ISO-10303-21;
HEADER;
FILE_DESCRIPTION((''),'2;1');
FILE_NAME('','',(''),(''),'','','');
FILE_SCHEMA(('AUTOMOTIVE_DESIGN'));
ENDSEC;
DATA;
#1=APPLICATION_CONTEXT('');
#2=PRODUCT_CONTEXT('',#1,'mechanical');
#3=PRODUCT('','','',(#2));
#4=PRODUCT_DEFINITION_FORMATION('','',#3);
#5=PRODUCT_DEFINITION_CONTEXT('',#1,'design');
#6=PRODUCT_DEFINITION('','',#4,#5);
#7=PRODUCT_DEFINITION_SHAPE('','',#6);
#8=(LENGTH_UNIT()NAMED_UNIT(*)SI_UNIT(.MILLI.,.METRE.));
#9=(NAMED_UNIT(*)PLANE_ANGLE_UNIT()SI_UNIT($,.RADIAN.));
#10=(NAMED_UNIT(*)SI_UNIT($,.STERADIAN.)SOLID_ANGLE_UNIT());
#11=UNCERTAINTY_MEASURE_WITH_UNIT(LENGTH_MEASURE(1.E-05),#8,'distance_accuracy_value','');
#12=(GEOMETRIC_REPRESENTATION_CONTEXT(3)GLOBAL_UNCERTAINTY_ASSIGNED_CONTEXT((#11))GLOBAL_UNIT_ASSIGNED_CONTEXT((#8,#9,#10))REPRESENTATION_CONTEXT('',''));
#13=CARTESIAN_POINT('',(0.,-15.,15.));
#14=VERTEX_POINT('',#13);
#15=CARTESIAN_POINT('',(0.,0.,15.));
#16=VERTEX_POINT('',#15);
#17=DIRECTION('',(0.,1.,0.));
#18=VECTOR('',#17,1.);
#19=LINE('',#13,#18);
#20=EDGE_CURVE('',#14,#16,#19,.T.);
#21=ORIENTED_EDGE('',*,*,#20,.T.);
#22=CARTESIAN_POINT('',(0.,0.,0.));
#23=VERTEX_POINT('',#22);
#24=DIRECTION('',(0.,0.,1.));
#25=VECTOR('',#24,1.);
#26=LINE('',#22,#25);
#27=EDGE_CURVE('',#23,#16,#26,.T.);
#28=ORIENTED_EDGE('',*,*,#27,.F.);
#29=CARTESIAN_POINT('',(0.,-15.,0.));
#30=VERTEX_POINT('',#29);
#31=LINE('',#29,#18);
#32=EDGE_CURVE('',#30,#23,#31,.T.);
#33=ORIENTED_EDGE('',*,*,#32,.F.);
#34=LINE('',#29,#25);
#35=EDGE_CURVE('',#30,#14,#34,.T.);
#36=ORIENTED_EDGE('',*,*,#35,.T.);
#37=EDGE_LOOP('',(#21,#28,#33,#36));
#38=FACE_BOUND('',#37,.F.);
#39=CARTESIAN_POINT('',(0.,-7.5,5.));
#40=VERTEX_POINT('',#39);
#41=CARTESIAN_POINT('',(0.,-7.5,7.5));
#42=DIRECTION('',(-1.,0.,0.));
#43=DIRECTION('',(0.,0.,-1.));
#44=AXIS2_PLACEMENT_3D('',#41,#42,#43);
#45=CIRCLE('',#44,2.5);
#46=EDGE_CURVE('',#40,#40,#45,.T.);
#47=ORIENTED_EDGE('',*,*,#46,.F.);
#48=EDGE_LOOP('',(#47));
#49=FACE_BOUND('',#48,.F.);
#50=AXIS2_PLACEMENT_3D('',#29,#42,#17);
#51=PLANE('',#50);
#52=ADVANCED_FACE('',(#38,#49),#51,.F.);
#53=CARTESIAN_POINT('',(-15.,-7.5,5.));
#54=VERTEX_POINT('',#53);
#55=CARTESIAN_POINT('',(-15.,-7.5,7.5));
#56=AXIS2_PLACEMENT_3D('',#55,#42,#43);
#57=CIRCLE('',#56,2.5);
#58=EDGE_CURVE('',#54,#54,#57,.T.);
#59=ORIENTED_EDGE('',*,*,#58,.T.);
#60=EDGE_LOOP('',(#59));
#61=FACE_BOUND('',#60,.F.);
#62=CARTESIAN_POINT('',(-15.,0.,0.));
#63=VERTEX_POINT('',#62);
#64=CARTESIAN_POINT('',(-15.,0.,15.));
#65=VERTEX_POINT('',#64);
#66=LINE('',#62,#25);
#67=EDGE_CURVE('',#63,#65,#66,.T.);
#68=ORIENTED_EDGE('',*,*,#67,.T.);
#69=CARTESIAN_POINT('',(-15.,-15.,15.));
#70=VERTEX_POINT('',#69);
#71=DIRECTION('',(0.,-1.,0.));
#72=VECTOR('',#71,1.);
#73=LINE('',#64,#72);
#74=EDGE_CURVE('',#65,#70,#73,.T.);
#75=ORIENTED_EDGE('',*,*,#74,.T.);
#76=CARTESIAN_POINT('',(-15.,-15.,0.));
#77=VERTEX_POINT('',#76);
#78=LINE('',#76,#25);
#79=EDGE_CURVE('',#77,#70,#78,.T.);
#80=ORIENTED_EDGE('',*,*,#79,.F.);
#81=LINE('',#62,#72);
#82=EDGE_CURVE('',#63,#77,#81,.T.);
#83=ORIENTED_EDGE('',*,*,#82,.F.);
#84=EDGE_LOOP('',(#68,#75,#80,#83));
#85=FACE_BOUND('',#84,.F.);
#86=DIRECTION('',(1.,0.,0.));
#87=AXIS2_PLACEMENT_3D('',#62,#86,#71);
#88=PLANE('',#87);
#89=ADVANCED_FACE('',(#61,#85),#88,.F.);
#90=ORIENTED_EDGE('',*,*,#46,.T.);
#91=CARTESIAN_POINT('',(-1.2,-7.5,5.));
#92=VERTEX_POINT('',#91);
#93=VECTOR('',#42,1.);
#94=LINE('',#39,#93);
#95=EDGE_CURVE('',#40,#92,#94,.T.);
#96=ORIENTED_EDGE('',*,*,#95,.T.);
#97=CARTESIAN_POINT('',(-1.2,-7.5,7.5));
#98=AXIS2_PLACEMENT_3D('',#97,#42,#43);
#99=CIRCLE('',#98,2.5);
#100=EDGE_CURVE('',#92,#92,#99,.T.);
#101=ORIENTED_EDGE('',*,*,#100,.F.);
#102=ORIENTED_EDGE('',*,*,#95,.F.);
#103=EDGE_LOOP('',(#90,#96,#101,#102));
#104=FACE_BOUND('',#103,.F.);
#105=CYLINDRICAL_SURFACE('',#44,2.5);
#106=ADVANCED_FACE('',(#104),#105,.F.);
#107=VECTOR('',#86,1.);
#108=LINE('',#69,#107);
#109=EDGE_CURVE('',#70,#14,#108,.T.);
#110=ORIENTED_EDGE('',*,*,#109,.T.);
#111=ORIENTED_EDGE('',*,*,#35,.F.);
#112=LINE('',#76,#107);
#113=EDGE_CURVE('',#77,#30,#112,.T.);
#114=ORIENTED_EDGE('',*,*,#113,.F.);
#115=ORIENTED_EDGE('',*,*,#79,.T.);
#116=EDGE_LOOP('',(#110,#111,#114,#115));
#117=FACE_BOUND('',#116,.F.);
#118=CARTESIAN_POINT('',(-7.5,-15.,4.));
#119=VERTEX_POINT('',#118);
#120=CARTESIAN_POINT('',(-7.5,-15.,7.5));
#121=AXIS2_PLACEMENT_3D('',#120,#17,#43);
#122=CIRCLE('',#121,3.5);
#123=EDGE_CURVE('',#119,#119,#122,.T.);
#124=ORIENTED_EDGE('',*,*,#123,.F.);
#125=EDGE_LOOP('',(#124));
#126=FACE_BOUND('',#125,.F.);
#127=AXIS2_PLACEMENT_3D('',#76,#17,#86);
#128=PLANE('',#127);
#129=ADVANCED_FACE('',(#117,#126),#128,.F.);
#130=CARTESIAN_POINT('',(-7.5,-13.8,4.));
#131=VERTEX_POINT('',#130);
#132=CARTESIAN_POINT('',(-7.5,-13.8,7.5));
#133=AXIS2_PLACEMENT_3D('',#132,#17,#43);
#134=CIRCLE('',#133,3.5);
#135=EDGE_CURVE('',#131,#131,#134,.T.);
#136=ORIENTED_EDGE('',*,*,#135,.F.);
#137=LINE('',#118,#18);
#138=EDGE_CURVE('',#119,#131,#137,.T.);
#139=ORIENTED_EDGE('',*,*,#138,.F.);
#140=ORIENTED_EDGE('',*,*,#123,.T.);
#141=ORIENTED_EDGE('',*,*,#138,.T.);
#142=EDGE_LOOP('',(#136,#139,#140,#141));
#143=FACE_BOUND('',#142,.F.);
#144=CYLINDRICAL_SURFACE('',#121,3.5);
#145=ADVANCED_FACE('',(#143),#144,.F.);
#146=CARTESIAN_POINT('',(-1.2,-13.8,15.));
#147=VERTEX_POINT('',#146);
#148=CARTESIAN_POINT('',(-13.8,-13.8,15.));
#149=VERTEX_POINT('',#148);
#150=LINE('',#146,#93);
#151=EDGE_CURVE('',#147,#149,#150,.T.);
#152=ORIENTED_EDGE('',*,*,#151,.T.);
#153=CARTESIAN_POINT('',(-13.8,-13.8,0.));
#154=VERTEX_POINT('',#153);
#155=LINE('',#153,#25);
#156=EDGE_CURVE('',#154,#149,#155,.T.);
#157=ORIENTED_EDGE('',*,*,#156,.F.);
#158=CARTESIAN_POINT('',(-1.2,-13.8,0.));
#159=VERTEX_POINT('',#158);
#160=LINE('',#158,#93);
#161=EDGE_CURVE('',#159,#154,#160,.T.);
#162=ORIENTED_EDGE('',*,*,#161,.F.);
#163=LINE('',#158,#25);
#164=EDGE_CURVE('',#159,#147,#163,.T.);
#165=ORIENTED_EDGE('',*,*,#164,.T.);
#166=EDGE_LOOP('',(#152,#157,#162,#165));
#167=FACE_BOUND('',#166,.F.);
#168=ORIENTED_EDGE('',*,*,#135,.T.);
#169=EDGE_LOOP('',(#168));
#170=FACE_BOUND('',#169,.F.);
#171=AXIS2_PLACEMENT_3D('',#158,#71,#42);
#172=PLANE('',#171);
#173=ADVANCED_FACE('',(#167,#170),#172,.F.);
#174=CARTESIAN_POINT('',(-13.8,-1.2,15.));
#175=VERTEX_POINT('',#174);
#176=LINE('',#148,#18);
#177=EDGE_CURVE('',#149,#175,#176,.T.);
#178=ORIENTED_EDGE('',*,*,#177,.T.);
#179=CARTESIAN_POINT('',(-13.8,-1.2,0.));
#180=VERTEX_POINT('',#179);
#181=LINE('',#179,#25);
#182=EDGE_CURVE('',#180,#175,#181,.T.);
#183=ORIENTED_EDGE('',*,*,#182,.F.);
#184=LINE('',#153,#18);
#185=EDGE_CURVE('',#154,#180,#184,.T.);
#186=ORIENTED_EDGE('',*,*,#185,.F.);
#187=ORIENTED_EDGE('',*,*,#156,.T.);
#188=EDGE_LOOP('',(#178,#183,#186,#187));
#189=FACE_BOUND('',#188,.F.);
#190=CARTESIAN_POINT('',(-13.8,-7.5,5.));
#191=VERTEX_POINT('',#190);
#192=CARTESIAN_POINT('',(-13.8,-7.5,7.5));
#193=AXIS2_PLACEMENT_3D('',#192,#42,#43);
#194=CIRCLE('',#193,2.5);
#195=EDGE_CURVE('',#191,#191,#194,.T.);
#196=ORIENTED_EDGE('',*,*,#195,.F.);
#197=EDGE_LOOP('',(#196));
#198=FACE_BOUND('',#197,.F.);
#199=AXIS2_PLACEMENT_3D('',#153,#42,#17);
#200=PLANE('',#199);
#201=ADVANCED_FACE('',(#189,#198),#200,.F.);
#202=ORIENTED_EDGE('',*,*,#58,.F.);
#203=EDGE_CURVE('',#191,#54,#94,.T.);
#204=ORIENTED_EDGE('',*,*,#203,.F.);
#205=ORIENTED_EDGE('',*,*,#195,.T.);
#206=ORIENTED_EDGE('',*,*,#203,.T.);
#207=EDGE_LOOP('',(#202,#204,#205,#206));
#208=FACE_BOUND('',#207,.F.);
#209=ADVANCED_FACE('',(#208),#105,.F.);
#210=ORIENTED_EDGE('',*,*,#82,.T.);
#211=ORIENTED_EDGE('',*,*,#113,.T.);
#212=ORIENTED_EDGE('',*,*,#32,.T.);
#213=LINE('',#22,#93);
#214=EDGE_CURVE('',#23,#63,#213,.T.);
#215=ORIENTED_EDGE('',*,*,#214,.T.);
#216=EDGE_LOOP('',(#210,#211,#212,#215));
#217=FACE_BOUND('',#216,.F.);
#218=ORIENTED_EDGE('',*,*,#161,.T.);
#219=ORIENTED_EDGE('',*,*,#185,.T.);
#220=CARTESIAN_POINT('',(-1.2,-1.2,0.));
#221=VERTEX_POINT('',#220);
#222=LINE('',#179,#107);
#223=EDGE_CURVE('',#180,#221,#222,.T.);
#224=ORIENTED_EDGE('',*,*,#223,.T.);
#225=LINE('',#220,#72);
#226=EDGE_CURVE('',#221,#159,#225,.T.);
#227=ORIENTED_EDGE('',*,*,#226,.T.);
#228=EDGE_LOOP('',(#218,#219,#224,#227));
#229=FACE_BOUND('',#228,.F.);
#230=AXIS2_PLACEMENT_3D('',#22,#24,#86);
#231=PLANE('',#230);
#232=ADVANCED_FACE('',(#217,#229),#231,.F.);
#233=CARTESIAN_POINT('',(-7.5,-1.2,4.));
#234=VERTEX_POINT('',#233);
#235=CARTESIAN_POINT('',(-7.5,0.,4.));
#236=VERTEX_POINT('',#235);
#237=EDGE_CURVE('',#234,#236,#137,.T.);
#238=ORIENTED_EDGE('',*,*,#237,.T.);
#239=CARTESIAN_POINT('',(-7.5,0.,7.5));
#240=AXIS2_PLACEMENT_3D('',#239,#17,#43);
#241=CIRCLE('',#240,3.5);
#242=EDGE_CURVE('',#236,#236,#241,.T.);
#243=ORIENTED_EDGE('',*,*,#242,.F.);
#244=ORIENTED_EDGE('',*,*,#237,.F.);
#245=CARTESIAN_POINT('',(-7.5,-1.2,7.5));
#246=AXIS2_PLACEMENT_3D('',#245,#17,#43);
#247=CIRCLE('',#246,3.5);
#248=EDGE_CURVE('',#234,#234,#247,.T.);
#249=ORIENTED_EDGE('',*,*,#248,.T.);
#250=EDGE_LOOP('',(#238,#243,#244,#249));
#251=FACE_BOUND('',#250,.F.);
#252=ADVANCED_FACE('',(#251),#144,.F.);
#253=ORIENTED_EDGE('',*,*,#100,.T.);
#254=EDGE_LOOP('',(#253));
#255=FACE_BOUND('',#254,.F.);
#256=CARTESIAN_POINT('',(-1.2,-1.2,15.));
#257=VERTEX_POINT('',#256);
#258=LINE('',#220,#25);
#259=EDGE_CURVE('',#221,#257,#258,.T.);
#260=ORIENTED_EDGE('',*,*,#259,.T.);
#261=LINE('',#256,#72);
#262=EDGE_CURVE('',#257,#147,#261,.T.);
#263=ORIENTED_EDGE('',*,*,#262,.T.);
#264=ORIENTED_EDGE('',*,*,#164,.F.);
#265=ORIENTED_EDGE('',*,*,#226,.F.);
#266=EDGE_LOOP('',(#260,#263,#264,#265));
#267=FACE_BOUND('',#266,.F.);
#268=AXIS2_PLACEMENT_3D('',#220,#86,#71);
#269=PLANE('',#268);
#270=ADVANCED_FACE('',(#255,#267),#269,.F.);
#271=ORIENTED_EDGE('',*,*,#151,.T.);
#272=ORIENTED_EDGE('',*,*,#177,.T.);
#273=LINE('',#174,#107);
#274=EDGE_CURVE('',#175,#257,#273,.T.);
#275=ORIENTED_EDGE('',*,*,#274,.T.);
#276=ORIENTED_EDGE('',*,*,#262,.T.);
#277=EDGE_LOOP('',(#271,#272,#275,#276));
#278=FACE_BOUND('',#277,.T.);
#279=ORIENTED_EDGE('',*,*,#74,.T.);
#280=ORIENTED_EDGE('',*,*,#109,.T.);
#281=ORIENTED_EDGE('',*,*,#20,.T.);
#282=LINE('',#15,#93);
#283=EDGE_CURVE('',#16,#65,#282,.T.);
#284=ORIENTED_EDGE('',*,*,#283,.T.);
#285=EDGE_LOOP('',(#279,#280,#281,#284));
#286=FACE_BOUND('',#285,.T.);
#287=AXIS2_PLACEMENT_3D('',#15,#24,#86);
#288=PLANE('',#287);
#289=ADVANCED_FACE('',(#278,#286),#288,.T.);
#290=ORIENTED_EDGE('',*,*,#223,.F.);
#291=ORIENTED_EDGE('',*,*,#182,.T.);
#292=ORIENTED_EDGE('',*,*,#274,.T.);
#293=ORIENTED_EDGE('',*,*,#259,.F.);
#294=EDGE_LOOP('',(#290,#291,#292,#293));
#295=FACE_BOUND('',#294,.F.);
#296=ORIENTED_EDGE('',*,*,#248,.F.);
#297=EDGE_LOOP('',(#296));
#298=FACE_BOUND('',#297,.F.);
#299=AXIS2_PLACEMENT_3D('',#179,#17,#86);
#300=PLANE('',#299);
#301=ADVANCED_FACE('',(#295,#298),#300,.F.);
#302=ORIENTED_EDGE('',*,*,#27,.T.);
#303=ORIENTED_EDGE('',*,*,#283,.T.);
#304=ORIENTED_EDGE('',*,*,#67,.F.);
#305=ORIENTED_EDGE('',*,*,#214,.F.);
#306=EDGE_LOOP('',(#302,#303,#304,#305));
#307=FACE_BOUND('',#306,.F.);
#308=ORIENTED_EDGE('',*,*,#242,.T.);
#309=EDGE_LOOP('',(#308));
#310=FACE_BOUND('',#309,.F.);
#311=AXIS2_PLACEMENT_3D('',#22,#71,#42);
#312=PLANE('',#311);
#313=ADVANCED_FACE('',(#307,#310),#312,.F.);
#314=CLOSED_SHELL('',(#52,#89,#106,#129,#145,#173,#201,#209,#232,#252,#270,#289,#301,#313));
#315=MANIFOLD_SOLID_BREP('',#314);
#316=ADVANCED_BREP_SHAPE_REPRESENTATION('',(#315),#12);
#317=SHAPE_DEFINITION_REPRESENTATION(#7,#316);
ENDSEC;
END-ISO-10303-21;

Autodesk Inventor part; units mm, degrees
ref_plane "YZ Plane" through (0, 0, 0) normal (1, 0, 0) x (0, 1, 0)
ref_plane "XZ Plane" through (0, 0, 0) normal (0, 1, 0) x (-1, 0, 0)
ref_plane "XY Plane" through (0, 0, 0) normal (0, 0, 1) x (1, 0, 0)
sketch "スケッチ1" plane through (0, 0, 0) normal (0, 0, 1) x (1, 0, 0)
  line L0 (0, 0) -> (-15, 0)
  line L1 (-15, 0) -> (-15, -15)
  line L2 (-15, -15) -> (0, -15)
  line L3 (0, -15) -> (0, 0)
  line L4 (-13.8, -1.2) -> (-1.2, -1.2)
  line L5 (-1.2, -1.2) -> (-1.2, -13.8)
  line L6 (-1.2, -13.8) -> (-13.8, -13.8)
  line L7 (-13.8, -13.8) -> (-13.8, -1.2)
  dimension "d0" = 15
  dimension "d1" = 15
  dimension "d2" = 1.2
  dimension "d3" = 1.2
  dimension "d4" = 1.2
  dimension "d5" = 1.2
extrude "押し出し1" add sketch "スケッチ1" along normal blind 15
sketch "スケッチ2" plane through (0, -15, 0) normal (1, 0, 0) x (0, 0, -1)
  line L0 (-15, 0) -> (-15, 15) projected
  line L1 (0, 15) -> (-15, 15) projected
  point P0 (-7.5, 7.5)
  dimension "d8" = 7.5
  dimension "d9" = 7.5
hole "穴1" at (0, -7.5, 7.5) direction (-1, 0, 0) diameter 5 end through all
sketch "スケッチ3" plane through (-15, -15, 0) normal (0, -1, 0) x (1, 0, 0)
  line L0 (0, 0) -> (15, 0) projected
  line L1 (0, 0) -> (0, 15) projected
  point P0 (7.5, 7.5)
  dimension "d17" = 7.5
  dimension "d18" = 7.5
hole "穴2" at (-7.5, -15, 7.5) direction (0, 1, 0) diameter 7 end through all
equation "\"d3\" = d2"
equation "\"d4\" = d3"
equation "\"d5\" = d3"
equation "\"d9\" = d8"
equation "\"d18\" = d17"
properties part number "ロボットベース15x15x15" material "アルミニウム 6061"
